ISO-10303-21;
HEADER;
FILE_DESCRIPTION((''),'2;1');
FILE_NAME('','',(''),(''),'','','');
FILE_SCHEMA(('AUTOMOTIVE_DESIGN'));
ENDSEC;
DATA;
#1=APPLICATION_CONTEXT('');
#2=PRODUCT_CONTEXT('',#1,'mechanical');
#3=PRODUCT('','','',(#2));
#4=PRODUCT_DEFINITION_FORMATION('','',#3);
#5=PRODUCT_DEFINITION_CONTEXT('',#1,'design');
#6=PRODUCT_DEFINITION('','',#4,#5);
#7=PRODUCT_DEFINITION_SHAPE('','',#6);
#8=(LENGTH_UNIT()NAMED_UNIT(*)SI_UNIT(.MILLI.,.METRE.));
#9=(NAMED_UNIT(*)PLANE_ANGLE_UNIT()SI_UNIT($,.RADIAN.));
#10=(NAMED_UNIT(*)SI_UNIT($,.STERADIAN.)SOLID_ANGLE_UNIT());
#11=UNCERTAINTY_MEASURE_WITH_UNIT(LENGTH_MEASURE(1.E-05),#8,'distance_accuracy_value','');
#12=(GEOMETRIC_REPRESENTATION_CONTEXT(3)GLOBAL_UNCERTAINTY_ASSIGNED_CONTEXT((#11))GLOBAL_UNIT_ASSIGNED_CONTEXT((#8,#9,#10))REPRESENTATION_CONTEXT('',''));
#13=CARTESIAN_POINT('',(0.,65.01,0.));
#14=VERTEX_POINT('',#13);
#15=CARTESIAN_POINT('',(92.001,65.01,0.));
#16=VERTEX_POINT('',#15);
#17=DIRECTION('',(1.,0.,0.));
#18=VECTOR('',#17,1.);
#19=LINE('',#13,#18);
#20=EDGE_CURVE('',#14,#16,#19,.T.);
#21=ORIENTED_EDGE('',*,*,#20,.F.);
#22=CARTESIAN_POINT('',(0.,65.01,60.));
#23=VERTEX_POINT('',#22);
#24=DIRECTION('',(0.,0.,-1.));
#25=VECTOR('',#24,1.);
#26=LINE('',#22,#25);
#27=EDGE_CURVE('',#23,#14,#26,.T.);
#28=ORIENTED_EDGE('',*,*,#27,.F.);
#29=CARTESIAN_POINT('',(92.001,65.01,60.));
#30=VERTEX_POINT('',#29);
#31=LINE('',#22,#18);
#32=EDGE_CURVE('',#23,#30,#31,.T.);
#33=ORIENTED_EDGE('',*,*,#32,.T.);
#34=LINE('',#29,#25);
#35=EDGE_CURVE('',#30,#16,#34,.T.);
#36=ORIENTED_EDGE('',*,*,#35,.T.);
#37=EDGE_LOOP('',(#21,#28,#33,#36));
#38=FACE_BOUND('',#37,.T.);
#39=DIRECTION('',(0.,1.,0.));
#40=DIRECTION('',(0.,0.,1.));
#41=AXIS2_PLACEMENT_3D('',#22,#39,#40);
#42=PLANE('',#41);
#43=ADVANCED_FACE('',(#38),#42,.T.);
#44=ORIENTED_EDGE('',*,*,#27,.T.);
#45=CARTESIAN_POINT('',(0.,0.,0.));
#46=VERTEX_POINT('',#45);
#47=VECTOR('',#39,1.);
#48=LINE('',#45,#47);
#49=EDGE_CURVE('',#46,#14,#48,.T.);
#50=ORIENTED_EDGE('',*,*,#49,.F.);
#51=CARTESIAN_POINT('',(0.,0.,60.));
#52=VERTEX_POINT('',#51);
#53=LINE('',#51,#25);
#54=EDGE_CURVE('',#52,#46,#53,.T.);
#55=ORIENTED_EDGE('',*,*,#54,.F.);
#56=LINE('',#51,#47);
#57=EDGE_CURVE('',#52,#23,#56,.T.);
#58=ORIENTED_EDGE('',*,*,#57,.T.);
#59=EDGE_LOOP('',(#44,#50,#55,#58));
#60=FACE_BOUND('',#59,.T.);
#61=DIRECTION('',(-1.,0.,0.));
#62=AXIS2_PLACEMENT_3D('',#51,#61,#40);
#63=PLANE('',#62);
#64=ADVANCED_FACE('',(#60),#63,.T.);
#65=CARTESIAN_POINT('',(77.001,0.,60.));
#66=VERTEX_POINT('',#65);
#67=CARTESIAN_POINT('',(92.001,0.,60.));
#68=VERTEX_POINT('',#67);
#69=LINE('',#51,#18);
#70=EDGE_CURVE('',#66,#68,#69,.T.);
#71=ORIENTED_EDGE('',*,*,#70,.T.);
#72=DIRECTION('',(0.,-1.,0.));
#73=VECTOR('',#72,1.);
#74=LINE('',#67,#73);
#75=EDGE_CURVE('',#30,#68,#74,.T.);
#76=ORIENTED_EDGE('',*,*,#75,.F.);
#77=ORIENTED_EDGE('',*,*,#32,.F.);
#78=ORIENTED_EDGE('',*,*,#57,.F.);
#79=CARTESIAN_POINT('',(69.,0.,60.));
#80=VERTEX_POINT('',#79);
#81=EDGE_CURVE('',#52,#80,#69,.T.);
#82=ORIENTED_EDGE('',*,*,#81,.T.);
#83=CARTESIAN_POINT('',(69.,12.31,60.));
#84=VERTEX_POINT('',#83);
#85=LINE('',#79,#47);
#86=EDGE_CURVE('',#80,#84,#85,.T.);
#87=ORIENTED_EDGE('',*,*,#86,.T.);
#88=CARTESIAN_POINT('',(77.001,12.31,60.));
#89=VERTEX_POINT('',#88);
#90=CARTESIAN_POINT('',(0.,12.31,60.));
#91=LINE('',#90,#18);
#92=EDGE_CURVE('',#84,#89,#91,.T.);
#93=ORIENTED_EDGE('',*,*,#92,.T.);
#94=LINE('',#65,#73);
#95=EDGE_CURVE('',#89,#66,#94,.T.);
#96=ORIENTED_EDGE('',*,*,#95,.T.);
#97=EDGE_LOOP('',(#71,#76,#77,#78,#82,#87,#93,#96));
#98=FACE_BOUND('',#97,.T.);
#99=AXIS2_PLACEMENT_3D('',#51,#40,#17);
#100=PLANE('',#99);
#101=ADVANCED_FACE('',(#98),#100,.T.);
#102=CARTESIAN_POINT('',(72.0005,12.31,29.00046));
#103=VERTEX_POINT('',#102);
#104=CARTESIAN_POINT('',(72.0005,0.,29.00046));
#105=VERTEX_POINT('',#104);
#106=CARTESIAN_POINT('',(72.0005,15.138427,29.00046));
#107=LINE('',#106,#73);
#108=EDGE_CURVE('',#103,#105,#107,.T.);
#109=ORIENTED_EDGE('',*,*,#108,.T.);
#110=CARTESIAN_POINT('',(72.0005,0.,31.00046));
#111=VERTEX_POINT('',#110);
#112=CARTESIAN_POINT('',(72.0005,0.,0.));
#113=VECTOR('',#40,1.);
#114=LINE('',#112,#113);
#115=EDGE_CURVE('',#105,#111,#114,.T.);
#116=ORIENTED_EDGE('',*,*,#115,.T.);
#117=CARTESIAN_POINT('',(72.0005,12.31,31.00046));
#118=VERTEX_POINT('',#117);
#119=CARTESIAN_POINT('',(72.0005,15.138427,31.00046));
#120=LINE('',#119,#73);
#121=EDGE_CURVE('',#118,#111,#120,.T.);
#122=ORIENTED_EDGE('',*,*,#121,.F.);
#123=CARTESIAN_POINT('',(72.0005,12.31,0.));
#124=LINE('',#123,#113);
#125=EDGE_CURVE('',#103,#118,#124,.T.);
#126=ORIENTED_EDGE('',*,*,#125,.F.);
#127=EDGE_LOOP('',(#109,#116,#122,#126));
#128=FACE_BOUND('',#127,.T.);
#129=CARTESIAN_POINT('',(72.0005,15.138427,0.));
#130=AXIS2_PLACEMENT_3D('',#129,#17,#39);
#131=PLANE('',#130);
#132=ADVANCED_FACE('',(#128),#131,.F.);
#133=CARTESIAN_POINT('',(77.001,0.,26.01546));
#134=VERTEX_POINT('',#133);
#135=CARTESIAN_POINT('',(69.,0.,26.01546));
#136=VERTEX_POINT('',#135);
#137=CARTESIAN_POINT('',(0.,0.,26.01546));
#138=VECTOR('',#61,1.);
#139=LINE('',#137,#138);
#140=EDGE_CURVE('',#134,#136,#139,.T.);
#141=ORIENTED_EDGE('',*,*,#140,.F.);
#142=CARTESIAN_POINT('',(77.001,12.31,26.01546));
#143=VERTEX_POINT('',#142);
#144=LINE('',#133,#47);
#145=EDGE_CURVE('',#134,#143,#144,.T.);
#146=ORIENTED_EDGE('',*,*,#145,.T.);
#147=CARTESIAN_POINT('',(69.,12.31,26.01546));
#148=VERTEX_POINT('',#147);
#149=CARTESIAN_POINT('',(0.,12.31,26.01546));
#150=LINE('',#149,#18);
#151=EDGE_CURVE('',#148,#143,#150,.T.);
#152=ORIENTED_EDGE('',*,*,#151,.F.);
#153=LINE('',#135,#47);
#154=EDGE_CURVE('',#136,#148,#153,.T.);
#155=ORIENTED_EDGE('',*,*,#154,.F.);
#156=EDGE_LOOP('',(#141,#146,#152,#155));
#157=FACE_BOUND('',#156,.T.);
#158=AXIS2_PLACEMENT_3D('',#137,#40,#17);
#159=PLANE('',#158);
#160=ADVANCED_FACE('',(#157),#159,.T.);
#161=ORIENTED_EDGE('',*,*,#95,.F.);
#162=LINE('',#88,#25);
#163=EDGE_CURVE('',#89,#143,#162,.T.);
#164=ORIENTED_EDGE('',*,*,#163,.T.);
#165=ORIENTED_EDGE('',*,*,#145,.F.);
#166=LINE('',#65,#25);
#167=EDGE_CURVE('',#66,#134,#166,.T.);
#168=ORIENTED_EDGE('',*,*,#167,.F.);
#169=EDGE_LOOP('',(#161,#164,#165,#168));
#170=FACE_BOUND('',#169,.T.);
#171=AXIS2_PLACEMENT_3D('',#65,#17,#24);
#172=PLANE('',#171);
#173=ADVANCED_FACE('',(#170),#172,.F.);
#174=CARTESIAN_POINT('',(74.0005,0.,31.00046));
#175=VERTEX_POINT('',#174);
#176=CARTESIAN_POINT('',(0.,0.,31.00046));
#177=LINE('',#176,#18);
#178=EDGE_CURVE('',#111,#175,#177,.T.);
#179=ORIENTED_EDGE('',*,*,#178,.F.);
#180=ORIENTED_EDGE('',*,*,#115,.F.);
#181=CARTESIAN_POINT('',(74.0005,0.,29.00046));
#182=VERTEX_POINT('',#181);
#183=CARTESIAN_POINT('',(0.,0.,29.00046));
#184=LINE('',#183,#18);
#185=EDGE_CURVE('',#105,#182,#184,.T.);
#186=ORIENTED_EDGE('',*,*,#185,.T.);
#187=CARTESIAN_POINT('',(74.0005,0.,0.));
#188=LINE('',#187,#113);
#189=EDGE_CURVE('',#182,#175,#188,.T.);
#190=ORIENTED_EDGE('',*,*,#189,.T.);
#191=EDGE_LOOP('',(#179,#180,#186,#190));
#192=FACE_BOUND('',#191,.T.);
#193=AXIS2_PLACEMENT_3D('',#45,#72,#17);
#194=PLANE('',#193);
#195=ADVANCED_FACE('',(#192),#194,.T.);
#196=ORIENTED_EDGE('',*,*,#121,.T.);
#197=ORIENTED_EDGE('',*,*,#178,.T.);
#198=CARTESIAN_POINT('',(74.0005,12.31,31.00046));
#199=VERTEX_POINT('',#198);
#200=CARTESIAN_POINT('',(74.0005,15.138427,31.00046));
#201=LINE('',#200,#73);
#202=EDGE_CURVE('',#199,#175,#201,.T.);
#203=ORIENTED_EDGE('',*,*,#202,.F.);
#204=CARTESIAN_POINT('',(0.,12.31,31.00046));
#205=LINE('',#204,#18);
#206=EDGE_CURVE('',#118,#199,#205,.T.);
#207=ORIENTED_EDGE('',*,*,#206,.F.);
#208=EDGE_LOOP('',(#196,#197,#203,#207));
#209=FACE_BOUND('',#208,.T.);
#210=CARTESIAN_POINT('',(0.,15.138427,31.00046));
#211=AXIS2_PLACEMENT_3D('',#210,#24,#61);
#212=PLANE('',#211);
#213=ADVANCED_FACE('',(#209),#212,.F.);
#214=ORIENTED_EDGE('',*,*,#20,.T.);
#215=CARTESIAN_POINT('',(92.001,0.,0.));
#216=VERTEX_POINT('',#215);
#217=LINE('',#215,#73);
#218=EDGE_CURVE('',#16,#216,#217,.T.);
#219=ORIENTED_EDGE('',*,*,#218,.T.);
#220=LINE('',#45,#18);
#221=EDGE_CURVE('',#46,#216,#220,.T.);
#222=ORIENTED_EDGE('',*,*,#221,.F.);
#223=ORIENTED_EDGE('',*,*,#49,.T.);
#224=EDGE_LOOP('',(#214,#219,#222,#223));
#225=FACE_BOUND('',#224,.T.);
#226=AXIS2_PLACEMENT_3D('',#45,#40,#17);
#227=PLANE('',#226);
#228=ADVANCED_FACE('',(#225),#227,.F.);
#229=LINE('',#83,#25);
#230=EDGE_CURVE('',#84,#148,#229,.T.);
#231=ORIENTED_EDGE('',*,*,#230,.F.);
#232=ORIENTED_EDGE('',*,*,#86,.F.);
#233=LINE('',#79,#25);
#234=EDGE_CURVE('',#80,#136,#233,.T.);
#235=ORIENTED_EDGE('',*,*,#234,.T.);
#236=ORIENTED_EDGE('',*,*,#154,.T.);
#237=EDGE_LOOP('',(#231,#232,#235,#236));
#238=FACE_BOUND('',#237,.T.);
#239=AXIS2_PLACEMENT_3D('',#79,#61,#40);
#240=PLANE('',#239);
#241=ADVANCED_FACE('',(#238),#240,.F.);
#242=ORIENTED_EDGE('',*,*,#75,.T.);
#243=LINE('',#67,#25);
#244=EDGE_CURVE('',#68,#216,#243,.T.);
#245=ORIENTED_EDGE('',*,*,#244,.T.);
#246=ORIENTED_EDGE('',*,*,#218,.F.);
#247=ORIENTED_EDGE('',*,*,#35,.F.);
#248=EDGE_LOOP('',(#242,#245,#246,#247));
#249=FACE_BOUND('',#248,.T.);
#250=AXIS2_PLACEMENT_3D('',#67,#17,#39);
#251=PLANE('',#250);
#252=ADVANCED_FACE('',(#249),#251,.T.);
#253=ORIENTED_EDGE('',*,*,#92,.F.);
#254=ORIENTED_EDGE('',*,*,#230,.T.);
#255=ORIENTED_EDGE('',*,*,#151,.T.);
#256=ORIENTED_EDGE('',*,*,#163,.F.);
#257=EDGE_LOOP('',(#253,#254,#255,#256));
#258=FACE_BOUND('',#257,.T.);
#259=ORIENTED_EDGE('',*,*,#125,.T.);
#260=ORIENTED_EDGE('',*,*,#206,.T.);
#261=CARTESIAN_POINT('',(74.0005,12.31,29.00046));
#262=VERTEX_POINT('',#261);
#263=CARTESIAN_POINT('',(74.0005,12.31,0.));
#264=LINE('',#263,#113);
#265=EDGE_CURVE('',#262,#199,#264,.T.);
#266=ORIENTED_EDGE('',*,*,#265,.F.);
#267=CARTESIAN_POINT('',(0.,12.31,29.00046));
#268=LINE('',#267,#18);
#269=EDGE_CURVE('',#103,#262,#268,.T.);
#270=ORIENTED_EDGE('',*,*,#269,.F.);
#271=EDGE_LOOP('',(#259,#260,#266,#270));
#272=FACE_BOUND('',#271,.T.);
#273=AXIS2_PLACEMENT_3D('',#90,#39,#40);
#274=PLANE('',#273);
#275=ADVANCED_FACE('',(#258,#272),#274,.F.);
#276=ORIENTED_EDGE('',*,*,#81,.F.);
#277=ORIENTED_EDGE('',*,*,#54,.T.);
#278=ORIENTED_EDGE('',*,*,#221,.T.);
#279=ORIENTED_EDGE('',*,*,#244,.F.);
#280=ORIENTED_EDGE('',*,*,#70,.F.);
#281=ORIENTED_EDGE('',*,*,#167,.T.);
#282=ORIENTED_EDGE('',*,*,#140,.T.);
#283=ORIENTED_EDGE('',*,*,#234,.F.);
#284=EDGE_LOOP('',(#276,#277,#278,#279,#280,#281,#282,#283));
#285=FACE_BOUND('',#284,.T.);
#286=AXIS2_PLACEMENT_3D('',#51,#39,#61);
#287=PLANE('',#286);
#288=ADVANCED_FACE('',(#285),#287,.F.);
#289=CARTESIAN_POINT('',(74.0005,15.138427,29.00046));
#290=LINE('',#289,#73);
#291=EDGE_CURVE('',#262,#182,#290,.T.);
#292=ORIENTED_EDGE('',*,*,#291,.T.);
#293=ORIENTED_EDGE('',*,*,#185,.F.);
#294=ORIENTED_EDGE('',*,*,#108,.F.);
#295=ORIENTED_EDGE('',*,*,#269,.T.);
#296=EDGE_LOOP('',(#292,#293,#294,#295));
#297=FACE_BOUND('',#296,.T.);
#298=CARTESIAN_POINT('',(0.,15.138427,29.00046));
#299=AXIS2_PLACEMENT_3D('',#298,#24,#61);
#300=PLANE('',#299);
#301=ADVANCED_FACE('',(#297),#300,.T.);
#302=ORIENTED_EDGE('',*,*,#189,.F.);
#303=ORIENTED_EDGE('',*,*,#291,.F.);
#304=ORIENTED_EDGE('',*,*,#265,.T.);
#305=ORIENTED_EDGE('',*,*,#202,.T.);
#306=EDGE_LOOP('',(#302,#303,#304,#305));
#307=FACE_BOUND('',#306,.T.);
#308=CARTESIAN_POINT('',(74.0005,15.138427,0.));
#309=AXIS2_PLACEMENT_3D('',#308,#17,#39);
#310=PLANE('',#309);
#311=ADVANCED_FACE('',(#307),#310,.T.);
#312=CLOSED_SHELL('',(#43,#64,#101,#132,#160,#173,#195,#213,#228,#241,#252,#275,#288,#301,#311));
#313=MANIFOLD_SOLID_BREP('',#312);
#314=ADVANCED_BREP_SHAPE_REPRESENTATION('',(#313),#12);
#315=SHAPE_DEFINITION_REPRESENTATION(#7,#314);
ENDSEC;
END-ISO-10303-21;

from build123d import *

# Parameters (mm, degrees)
BOSS_EXTRUDE1_DEPTH = 60
SKETCH1_6_W         = 8.001
SKETCH1_6_H         = 12.31
BOSS_EXTRUDE3_DEPTH = 26.01546
SKETCH2_W           = 2
SKETCH2_H           = 2
BOSS_EXTRUDE4_DEPTH = 12.31


with BuildPart() as part:
    # Sketch1 → Boss-Extrude1 (new body)
    with BuildSketch(Plane.XY):
        Polygon((77.001, 12.31), (77.001, 0), (92.001, 0), (92.001, 65.01), (0, 65.01), (0, 0), (69, 0), (69, 12.31), align=None)
    extrude(amount=BOSS_EXTRUDE1_DEPTH)

    # Sketch1<6> → Boss-Extrude3 (add)
    with BuildSketch(Plane.XY):
        with Locations((73.0005, 6.155)):
            Rectangle(SKETCH1_6_W, SKETCH1_6_H)
    extrude(amount=BOSS_EXTRUDE3_DEPTH)

    # Sketch2 → Boss-Extrude4 (add)
    with BuildSketch(Plane.XZ):
        with Locations((73.0005, 30.00046)):
            Rectangle(SKETCH2_W, SKETCH2_H)
    extrude(amount=-BOSS_EXTRUDE4_DEPTH)


solid = part.part
